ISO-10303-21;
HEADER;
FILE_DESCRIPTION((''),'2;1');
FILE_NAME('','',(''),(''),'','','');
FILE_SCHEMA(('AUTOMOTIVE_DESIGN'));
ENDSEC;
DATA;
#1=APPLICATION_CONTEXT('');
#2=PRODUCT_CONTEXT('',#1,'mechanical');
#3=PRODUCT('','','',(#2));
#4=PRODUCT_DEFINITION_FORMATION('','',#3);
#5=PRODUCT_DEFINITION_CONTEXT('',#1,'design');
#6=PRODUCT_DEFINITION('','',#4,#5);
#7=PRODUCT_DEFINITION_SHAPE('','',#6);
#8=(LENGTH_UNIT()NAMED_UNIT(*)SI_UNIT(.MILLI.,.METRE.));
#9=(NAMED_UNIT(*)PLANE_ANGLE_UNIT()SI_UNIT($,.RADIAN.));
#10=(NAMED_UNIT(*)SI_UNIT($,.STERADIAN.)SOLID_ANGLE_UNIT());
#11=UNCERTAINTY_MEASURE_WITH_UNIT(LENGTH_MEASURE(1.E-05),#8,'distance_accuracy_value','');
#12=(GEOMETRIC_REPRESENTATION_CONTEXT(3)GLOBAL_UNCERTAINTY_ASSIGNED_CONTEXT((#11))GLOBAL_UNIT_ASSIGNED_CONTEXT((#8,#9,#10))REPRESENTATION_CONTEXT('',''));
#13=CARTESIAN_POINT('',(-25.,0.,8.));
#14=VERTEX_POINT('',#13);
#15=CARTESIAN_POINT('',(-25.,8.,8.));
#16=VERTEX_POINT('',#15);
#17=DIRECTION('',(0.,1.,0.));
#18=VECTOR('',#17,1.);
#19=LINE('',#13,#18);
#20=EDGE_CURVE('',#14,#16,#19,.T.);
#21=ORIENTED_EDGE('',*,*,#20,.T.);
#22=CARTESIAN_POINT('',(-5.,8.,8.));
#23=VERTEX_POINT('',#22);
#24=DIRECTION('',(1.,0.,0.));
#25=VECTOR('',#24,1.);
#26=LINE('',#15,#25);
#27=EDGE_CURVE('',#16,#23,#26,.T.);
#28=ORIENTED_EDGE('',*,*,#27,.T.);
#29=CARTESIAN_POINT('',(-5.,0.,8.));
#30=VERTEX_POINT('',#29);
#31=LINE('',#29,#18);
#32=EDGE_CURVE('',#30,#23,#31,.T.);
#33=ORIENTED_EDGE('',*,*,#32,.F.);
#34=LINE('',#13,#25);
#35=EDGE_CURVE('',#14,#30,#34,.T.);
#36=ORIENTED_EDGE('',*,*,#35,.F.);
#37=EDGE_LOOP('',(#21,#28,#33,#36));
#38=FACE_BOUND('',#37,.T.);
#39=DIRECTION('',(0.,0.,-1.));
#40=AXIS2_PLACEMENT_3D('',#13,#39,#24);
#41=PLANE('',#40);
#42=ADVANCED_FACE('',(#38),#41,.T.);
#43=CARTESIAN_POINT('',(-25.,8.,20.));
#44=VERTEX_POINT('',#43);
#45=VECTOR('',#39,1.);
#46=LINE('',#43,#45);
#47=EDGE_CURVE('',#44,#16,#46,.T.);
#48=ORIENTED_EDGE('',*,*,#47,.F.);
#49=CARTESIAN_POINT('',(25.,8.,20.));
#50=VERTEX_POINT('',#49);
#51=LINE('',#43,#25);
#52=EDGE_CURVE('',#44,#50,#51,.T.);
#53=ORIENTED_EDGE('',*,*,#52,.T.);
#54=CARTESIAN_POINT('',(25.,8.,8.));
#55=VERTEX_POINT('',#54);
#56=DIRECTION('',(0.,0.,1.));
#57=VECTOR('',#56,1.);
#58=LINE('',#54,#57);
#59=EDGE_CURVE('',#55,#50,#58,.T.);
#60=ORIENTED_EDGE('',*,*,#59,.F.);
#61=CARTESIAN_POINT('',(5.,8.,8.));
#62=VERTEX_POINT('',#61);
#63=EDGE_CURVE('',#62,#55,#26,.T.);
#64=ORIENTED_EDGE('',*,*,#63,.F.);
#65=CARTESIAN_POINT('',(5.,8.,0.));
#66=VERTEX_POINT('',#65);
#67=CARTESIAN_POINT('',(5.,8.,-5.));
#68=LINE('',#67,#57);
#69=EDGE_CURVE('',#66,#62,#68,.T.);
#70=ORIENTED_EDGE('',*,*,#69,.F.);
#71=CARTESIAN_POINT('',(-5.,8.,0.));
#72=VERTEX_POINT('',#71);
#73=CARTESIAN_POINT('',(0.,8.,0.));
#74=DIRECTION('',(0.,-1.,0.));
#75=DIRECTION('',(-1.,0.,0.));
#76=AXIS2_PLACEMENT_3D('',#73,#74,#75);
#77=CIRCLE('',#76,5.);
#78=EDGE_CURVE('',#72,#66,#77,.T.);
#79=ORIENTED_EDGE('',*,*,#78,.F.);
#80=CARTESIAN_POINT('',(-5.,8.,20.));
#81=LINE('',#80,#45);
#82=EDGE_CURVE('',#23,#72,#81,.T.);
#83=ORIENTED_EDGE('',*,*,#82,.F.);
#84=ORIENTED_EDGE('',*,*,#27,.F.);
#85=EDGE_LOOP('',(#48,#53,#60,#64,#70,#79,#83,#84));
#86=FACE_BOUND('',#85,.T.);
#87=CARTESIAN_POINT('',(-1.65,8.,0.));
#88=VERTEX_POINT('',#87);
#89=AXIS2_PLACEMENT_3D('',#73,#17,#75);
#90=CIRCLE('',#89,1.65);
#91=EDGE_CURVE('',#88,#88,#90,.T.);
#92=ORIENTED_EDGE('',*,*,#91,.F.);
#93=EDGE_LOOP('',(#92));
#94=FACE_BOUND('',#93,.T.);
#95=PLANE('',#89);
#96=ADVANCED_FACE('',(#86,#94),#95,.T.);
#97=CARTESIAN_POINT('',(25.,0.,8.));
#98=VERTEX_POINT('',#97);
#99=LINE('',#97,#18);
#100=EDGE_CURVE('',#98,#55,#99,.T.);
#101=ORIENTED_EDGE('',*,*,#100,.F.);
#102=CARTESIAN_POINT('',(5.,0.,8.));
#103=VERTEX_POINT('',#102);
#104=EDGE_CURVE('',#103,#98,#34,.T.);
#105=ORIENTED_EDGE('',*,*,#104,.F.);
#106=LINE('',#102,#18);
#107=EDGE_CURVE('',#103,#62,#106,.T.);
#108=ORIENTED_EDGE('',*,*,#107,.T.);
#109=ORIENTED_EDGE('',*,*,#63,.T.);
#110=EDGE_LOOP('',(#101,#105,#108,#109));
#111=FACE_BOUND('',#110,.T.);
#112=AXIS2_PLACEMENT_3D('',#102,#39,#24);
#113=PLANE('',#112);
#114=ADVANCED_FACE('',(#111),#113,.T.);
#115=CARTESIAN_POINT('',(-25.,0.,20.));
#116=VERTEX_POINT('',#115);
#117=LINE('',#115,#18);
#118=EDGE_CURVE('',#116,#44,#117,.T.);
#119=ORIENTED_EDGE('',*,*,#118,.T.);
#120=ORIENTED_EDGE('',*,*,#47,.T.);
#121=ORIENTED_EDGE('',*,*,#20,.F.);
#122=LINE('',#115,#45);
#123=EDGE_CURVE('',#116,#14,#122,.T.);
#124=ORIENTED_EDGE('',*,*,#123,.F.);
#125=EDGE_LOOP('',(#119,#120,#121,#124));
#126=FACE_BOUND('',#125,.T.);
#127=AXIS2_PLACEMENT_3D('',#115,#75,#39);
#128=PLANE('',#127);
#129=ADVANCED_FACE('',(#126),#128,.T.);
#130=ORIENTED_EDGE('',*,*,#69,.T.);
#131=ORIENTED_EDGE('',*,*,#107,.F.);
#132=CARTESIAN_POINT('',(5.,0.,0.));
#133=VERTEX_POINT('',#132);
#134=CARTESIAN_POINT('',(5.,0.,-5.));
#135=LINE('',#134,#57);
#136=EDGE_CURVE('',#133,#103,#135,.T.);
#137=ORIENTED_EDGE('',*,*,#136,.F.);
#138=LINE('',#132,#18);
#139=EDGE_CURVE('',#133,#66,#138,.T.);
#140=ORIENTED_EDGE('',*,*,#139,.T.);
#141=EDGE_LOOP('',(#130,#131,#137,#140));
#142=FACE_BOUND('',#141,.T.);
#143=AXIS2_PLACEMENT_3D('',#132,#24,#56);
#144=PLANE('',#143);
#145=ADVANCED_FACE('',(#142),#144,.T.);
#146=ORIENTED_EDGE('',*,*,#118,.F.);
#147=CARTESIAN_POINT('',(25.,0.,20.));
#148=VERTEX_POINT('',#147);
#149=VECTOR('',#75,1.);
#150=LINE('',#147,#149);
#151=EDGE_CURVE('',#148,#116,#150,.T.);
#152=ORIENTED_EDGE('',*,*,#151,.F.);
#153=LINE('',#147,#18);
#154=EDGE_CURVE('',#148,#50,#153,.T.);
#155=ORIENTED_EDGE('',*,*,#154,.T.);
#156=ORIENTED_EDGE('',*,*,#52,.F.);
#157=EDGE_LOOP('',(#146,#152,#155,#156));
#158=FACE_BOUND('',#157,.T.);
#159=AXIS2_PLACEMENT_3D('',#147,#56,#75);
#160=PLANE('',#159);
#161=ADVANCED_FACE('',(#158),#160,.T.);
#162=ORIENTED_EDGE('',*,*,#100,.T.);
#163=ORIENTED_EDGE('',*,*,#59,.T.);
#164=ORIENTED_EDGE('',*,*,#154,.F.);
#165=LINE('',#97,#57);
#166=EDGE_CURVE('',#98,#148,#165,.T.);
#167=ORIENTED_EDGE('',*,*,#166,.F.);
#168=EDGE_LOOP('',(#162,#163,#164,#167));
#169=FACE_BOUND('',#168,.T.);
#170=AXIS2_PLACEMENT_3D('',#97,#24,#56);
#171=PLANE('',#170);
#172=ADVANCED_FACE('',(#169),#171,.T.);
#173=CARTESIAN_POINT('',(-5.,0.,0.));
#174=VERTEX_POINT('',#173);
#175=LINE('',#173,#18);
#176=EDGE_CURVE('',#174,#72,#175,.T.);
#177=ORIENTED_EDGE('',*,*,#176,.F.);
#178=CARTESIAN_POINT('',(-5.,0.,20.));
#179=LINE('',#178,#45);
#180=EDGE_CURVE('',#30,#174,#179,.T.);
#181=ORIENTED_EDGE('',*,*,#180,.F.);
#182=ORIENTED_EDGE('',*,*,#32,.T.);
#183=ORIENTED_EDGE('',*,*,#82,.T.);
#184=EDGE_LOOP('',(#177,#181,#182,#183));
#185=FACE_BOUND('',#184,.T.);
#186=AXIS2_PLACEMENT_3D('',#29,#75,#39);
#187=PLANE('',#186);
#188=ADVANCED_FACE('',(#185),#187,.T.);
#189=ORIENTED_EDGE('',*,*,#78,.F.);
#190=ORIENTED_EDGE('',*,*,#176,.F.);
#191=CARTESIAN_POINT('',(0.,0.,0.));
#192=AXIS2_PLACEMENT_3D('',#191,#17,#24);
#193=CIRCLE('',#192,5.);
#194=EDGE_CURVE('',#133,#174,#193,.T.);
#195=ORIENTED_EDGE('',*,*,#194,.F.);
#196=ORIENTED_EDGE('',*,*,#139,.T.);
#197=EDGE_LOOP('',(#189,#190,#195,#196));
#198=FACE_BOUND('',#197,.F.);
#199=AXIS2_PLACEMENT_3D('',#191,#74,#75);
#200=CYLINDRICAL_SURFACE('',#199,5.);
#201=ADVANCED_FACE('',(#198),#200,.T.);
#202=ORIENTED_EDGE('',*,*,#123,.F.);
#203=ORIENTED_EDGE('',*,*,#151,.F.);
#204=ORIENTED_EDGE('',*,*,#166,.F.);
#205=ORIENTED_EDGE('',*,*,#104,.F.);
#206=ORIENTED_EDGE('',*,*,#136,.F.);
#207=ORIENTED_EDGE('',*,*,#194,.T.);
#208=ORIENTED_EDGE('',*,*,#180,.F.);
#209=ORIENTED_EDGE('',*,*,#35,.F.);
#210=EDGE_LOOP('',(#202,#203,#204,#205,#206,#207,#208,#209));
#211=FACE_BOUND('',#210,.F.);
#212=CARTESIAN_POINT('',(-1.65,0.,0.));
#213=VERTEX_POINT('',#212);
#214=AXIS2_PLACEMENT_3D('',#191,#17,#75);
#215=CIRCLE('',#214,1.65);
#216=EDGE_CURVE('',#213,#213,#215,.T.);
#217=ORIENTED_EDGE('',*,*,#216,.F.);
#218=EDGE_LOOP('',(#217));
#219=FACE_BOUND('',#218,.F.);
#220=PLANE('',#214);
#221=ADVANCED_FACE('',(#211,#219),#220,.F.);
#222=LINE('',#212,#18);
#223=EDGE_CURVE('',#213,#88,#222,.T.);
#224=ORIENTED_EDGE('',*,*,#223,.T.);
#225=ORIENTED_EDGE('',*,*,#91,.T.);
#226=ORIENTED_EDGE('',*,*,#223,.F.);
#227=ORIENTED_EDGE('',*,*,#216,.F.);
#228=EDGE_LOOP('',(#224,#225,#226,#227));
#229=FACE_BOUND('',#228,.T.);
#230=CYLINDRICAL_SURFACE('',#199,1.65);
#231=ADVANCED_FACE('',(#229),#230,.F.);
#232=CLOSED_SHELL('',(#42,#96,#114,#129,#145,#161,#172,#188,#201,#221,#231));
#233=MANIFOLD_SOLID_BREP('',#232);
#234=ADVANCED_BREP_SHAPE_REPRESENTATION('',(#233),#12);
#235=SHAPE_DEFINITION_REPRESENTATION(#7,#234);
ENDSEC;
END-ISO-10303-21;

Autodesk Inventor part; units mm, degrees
ref_plane "YZ Plane" through (0, 0, 0) normal (1, 0, 0) x (0, 1, 0)
ref_plane "XZ Plane" through (0, 0, 0) normal (0, 1, 0) x (-1, 0, 0)
ref_plane "XY Plane" through (0, 0, 0) normal (0, 0, 1) x (1, 0, 0)
sketch "Sketch1" plane through (0, 0, 0) normal (0, 1, 0) x (-1, 0, 0)
  circle A0 centre (0, 0) radius 1.65
  line L0 (5, -5) -> (-5, -5)
  line L1 (-5, -5) -> (-5, 20)
  line L2 (-5, 20) -> (5, 20)
  line L3 (5, 20) -> (5, -5)
  circle A1 centre (0, 0) radius 5
  line L4 (25, 8) -> (-25, 8)
  line L5 (-25, 8) -> (-25, 20)
  line L6 (-25, 20) -> (25, 20)
  line L7 (25, 20) -> (25, 8)
  point P0 (-5, 0)
  point P1 (5, 0)
  point P2 (5, 8)
  point P3 (-5, 8)
  dimension "d0" = 3.3
  dimension "d1" = 10
  dimension "d2" = 20
  dimension "d5" = 12
  dimension "d6" = 20
  dimension "d7" = 20
extrude "Extrusion1" add sketch "Sketch1" along normal blind 8 contours A1 | A1 L1 L4 L3 | L4 L1 L2 L3 | L3 L6 L7 L4 | L4 L5 L6 L1
properties part number "Fix_pin"
